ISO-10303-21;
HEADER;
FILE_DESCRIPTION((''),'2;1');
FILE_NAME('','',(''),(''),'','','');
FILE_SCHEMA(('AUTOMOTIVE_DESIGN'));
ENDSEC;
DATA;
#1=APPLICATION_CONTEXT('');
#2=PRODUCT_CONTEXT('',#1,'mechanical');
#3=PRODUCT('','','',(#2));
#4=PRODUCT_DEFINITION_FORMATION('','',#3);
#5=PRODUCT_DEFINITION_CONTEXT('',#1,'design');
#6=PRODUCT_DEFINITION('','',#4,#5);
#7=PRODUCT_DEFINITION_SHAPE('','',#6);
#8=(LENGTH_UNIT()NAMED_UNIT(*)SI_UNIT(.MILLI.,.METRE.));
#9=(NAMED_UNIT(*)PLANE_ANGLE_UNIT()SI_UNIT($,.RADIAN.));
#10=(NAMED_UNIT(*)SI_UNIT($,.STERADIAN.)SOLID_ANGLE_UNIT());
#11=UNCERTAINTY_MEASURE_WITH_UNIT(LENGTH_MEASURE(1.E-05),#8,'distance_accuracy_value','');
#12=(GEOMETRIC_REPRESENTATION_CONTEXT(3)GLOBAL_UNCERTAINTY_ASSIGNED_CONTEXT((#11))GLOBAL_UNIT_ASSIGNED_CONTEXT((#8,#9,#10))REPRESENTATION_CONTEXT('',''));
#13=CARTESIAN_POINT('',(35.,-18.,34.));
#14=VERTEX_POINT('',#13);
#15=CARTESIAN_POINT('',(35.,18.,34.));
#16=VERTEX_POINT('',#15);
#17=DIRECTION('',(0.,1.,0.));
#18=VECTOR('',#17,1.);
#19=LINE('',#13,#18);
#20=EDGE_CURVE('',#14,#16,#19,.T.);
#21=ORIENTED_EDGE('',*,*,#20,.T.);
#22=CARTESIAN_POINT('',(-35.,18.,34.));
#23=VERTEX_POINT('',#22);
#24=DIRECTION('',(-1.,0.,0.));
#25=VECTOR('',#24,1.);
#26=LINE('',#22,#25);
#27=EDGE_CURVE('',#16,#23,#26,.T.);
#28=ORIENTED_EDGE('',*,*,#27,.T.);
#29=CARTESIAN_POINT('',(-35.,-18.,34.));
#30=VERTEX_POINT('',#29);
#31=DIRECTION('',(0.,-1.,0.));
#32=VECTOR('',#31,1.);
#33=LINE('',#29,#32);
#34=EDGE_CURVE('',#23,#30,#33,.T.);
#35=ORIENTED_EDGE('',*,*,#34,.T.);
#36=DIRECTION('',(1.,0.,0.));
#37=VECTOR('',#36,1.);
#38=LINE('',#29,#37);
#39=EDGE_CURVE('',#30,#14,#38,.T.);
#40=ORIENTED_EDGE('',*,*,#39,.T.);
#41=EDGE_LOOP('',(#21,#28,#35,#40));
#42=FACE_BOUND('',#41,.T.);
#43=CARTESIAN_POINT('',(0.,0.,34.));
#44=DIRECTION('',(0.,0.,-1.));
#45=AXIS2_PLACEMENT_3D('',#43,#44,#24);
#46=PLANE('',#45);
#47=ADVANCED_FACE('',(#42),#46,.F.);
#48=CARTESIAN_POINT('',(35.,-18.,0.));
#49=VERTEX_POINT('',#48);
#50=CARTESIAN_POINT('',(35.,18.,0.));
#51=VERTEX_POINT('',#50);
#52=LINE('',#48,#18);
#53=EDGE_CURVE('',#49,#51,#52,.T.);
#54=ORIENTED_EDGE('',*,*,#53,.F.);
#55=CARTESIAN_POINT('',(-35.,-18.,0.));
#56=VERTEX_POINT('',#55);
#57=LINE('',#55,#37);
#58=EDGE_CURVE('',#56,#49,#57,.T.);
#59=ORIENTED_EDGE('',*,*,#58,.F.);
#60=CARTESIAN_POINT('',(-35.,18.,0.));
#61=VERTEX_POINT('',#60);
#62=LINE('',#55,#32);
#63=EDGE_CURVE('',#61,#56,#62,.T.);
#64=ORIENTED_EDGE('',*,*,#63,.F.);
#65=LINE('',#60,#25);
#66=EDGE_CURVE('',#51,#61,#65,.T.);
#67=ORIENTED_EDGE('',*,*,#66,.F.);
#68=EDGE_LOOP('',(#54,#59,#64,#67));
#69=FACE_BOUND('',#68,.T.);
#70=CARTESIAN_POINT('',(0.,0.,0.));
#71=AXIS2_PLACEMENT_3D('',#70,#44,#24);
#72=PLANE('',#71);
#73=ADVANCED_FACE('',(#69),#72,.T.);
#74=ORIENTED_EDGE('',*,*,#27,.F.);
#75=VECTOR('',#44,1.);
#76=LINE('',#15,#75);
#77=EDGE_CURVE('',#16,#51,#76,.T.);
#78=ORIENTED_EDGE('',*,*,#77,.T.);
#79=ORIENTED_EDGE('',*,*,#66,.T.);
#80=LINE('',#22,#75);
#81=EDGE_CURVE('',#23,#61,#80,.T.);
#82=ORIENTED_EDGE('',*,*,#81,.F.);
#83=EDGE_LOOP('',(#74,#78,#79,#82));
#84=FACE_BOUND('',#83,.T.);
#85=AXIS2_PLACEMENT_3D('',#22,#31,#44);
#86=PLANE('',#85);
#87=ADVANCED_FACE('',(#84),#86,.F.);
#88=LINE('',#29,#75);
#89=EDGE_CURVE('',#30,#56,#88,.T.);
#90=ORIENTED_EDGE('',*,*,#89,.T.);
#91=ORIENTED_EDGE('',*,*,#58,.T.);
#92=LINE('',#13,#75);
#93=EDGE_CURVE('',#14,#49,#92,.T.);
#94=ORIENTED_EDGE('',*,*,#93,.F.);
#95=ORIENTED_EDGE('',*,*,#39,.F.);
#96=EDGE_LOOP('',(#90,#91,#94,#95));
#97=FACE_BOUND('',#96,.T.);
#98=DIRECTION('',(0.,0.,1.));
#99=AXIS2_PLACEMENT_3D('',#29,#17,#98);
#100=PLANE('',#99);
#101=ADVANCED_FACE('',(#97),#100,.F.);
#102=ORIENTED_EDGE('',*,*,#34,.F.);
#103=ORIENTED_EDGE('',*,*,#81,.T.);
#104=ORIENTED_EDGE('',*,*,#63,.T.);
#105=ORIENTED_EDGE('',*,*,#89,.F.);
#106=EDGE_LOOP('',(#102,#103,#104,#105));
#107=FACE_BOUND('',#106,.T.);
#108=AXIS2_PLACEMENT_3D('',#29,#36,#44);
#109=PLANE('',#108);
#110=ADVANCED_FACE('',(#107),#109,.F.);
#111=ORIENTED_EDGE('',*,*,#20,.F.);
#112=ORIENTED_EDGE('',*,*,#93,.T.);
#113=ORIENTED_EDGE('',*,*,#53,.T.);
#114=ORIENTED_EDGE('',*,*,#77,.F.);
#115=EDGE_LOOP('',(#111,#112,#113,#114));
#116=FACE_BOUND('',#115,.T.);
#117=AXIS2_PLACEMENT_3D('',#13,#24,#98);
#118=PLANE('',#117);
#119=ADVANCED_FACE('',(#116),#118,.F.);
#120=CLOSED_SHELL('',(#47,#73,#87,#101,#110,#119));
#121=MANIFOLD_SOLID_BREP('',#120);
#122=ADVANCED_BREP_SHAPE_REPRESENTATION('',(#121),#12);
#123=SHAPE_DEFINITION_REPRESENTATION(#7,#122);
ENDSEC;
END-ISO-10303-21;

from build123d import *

# Parameters (mm, degrees)
SKETCH_1_W      = 70
SKETCH_1_H      = 36
EXTRUDE_1_DEPTH = 34


with BuildPart() as part:
    # 草图1 → 凸台-拉伸1 (new body)
    with BuildSketch(Plane.XY):
        Rectangle(SKETCH_1_W, SKETCH_1_H)
    extrude(amount=EXTRUDE_1_DEPTH)


solid = part.part
